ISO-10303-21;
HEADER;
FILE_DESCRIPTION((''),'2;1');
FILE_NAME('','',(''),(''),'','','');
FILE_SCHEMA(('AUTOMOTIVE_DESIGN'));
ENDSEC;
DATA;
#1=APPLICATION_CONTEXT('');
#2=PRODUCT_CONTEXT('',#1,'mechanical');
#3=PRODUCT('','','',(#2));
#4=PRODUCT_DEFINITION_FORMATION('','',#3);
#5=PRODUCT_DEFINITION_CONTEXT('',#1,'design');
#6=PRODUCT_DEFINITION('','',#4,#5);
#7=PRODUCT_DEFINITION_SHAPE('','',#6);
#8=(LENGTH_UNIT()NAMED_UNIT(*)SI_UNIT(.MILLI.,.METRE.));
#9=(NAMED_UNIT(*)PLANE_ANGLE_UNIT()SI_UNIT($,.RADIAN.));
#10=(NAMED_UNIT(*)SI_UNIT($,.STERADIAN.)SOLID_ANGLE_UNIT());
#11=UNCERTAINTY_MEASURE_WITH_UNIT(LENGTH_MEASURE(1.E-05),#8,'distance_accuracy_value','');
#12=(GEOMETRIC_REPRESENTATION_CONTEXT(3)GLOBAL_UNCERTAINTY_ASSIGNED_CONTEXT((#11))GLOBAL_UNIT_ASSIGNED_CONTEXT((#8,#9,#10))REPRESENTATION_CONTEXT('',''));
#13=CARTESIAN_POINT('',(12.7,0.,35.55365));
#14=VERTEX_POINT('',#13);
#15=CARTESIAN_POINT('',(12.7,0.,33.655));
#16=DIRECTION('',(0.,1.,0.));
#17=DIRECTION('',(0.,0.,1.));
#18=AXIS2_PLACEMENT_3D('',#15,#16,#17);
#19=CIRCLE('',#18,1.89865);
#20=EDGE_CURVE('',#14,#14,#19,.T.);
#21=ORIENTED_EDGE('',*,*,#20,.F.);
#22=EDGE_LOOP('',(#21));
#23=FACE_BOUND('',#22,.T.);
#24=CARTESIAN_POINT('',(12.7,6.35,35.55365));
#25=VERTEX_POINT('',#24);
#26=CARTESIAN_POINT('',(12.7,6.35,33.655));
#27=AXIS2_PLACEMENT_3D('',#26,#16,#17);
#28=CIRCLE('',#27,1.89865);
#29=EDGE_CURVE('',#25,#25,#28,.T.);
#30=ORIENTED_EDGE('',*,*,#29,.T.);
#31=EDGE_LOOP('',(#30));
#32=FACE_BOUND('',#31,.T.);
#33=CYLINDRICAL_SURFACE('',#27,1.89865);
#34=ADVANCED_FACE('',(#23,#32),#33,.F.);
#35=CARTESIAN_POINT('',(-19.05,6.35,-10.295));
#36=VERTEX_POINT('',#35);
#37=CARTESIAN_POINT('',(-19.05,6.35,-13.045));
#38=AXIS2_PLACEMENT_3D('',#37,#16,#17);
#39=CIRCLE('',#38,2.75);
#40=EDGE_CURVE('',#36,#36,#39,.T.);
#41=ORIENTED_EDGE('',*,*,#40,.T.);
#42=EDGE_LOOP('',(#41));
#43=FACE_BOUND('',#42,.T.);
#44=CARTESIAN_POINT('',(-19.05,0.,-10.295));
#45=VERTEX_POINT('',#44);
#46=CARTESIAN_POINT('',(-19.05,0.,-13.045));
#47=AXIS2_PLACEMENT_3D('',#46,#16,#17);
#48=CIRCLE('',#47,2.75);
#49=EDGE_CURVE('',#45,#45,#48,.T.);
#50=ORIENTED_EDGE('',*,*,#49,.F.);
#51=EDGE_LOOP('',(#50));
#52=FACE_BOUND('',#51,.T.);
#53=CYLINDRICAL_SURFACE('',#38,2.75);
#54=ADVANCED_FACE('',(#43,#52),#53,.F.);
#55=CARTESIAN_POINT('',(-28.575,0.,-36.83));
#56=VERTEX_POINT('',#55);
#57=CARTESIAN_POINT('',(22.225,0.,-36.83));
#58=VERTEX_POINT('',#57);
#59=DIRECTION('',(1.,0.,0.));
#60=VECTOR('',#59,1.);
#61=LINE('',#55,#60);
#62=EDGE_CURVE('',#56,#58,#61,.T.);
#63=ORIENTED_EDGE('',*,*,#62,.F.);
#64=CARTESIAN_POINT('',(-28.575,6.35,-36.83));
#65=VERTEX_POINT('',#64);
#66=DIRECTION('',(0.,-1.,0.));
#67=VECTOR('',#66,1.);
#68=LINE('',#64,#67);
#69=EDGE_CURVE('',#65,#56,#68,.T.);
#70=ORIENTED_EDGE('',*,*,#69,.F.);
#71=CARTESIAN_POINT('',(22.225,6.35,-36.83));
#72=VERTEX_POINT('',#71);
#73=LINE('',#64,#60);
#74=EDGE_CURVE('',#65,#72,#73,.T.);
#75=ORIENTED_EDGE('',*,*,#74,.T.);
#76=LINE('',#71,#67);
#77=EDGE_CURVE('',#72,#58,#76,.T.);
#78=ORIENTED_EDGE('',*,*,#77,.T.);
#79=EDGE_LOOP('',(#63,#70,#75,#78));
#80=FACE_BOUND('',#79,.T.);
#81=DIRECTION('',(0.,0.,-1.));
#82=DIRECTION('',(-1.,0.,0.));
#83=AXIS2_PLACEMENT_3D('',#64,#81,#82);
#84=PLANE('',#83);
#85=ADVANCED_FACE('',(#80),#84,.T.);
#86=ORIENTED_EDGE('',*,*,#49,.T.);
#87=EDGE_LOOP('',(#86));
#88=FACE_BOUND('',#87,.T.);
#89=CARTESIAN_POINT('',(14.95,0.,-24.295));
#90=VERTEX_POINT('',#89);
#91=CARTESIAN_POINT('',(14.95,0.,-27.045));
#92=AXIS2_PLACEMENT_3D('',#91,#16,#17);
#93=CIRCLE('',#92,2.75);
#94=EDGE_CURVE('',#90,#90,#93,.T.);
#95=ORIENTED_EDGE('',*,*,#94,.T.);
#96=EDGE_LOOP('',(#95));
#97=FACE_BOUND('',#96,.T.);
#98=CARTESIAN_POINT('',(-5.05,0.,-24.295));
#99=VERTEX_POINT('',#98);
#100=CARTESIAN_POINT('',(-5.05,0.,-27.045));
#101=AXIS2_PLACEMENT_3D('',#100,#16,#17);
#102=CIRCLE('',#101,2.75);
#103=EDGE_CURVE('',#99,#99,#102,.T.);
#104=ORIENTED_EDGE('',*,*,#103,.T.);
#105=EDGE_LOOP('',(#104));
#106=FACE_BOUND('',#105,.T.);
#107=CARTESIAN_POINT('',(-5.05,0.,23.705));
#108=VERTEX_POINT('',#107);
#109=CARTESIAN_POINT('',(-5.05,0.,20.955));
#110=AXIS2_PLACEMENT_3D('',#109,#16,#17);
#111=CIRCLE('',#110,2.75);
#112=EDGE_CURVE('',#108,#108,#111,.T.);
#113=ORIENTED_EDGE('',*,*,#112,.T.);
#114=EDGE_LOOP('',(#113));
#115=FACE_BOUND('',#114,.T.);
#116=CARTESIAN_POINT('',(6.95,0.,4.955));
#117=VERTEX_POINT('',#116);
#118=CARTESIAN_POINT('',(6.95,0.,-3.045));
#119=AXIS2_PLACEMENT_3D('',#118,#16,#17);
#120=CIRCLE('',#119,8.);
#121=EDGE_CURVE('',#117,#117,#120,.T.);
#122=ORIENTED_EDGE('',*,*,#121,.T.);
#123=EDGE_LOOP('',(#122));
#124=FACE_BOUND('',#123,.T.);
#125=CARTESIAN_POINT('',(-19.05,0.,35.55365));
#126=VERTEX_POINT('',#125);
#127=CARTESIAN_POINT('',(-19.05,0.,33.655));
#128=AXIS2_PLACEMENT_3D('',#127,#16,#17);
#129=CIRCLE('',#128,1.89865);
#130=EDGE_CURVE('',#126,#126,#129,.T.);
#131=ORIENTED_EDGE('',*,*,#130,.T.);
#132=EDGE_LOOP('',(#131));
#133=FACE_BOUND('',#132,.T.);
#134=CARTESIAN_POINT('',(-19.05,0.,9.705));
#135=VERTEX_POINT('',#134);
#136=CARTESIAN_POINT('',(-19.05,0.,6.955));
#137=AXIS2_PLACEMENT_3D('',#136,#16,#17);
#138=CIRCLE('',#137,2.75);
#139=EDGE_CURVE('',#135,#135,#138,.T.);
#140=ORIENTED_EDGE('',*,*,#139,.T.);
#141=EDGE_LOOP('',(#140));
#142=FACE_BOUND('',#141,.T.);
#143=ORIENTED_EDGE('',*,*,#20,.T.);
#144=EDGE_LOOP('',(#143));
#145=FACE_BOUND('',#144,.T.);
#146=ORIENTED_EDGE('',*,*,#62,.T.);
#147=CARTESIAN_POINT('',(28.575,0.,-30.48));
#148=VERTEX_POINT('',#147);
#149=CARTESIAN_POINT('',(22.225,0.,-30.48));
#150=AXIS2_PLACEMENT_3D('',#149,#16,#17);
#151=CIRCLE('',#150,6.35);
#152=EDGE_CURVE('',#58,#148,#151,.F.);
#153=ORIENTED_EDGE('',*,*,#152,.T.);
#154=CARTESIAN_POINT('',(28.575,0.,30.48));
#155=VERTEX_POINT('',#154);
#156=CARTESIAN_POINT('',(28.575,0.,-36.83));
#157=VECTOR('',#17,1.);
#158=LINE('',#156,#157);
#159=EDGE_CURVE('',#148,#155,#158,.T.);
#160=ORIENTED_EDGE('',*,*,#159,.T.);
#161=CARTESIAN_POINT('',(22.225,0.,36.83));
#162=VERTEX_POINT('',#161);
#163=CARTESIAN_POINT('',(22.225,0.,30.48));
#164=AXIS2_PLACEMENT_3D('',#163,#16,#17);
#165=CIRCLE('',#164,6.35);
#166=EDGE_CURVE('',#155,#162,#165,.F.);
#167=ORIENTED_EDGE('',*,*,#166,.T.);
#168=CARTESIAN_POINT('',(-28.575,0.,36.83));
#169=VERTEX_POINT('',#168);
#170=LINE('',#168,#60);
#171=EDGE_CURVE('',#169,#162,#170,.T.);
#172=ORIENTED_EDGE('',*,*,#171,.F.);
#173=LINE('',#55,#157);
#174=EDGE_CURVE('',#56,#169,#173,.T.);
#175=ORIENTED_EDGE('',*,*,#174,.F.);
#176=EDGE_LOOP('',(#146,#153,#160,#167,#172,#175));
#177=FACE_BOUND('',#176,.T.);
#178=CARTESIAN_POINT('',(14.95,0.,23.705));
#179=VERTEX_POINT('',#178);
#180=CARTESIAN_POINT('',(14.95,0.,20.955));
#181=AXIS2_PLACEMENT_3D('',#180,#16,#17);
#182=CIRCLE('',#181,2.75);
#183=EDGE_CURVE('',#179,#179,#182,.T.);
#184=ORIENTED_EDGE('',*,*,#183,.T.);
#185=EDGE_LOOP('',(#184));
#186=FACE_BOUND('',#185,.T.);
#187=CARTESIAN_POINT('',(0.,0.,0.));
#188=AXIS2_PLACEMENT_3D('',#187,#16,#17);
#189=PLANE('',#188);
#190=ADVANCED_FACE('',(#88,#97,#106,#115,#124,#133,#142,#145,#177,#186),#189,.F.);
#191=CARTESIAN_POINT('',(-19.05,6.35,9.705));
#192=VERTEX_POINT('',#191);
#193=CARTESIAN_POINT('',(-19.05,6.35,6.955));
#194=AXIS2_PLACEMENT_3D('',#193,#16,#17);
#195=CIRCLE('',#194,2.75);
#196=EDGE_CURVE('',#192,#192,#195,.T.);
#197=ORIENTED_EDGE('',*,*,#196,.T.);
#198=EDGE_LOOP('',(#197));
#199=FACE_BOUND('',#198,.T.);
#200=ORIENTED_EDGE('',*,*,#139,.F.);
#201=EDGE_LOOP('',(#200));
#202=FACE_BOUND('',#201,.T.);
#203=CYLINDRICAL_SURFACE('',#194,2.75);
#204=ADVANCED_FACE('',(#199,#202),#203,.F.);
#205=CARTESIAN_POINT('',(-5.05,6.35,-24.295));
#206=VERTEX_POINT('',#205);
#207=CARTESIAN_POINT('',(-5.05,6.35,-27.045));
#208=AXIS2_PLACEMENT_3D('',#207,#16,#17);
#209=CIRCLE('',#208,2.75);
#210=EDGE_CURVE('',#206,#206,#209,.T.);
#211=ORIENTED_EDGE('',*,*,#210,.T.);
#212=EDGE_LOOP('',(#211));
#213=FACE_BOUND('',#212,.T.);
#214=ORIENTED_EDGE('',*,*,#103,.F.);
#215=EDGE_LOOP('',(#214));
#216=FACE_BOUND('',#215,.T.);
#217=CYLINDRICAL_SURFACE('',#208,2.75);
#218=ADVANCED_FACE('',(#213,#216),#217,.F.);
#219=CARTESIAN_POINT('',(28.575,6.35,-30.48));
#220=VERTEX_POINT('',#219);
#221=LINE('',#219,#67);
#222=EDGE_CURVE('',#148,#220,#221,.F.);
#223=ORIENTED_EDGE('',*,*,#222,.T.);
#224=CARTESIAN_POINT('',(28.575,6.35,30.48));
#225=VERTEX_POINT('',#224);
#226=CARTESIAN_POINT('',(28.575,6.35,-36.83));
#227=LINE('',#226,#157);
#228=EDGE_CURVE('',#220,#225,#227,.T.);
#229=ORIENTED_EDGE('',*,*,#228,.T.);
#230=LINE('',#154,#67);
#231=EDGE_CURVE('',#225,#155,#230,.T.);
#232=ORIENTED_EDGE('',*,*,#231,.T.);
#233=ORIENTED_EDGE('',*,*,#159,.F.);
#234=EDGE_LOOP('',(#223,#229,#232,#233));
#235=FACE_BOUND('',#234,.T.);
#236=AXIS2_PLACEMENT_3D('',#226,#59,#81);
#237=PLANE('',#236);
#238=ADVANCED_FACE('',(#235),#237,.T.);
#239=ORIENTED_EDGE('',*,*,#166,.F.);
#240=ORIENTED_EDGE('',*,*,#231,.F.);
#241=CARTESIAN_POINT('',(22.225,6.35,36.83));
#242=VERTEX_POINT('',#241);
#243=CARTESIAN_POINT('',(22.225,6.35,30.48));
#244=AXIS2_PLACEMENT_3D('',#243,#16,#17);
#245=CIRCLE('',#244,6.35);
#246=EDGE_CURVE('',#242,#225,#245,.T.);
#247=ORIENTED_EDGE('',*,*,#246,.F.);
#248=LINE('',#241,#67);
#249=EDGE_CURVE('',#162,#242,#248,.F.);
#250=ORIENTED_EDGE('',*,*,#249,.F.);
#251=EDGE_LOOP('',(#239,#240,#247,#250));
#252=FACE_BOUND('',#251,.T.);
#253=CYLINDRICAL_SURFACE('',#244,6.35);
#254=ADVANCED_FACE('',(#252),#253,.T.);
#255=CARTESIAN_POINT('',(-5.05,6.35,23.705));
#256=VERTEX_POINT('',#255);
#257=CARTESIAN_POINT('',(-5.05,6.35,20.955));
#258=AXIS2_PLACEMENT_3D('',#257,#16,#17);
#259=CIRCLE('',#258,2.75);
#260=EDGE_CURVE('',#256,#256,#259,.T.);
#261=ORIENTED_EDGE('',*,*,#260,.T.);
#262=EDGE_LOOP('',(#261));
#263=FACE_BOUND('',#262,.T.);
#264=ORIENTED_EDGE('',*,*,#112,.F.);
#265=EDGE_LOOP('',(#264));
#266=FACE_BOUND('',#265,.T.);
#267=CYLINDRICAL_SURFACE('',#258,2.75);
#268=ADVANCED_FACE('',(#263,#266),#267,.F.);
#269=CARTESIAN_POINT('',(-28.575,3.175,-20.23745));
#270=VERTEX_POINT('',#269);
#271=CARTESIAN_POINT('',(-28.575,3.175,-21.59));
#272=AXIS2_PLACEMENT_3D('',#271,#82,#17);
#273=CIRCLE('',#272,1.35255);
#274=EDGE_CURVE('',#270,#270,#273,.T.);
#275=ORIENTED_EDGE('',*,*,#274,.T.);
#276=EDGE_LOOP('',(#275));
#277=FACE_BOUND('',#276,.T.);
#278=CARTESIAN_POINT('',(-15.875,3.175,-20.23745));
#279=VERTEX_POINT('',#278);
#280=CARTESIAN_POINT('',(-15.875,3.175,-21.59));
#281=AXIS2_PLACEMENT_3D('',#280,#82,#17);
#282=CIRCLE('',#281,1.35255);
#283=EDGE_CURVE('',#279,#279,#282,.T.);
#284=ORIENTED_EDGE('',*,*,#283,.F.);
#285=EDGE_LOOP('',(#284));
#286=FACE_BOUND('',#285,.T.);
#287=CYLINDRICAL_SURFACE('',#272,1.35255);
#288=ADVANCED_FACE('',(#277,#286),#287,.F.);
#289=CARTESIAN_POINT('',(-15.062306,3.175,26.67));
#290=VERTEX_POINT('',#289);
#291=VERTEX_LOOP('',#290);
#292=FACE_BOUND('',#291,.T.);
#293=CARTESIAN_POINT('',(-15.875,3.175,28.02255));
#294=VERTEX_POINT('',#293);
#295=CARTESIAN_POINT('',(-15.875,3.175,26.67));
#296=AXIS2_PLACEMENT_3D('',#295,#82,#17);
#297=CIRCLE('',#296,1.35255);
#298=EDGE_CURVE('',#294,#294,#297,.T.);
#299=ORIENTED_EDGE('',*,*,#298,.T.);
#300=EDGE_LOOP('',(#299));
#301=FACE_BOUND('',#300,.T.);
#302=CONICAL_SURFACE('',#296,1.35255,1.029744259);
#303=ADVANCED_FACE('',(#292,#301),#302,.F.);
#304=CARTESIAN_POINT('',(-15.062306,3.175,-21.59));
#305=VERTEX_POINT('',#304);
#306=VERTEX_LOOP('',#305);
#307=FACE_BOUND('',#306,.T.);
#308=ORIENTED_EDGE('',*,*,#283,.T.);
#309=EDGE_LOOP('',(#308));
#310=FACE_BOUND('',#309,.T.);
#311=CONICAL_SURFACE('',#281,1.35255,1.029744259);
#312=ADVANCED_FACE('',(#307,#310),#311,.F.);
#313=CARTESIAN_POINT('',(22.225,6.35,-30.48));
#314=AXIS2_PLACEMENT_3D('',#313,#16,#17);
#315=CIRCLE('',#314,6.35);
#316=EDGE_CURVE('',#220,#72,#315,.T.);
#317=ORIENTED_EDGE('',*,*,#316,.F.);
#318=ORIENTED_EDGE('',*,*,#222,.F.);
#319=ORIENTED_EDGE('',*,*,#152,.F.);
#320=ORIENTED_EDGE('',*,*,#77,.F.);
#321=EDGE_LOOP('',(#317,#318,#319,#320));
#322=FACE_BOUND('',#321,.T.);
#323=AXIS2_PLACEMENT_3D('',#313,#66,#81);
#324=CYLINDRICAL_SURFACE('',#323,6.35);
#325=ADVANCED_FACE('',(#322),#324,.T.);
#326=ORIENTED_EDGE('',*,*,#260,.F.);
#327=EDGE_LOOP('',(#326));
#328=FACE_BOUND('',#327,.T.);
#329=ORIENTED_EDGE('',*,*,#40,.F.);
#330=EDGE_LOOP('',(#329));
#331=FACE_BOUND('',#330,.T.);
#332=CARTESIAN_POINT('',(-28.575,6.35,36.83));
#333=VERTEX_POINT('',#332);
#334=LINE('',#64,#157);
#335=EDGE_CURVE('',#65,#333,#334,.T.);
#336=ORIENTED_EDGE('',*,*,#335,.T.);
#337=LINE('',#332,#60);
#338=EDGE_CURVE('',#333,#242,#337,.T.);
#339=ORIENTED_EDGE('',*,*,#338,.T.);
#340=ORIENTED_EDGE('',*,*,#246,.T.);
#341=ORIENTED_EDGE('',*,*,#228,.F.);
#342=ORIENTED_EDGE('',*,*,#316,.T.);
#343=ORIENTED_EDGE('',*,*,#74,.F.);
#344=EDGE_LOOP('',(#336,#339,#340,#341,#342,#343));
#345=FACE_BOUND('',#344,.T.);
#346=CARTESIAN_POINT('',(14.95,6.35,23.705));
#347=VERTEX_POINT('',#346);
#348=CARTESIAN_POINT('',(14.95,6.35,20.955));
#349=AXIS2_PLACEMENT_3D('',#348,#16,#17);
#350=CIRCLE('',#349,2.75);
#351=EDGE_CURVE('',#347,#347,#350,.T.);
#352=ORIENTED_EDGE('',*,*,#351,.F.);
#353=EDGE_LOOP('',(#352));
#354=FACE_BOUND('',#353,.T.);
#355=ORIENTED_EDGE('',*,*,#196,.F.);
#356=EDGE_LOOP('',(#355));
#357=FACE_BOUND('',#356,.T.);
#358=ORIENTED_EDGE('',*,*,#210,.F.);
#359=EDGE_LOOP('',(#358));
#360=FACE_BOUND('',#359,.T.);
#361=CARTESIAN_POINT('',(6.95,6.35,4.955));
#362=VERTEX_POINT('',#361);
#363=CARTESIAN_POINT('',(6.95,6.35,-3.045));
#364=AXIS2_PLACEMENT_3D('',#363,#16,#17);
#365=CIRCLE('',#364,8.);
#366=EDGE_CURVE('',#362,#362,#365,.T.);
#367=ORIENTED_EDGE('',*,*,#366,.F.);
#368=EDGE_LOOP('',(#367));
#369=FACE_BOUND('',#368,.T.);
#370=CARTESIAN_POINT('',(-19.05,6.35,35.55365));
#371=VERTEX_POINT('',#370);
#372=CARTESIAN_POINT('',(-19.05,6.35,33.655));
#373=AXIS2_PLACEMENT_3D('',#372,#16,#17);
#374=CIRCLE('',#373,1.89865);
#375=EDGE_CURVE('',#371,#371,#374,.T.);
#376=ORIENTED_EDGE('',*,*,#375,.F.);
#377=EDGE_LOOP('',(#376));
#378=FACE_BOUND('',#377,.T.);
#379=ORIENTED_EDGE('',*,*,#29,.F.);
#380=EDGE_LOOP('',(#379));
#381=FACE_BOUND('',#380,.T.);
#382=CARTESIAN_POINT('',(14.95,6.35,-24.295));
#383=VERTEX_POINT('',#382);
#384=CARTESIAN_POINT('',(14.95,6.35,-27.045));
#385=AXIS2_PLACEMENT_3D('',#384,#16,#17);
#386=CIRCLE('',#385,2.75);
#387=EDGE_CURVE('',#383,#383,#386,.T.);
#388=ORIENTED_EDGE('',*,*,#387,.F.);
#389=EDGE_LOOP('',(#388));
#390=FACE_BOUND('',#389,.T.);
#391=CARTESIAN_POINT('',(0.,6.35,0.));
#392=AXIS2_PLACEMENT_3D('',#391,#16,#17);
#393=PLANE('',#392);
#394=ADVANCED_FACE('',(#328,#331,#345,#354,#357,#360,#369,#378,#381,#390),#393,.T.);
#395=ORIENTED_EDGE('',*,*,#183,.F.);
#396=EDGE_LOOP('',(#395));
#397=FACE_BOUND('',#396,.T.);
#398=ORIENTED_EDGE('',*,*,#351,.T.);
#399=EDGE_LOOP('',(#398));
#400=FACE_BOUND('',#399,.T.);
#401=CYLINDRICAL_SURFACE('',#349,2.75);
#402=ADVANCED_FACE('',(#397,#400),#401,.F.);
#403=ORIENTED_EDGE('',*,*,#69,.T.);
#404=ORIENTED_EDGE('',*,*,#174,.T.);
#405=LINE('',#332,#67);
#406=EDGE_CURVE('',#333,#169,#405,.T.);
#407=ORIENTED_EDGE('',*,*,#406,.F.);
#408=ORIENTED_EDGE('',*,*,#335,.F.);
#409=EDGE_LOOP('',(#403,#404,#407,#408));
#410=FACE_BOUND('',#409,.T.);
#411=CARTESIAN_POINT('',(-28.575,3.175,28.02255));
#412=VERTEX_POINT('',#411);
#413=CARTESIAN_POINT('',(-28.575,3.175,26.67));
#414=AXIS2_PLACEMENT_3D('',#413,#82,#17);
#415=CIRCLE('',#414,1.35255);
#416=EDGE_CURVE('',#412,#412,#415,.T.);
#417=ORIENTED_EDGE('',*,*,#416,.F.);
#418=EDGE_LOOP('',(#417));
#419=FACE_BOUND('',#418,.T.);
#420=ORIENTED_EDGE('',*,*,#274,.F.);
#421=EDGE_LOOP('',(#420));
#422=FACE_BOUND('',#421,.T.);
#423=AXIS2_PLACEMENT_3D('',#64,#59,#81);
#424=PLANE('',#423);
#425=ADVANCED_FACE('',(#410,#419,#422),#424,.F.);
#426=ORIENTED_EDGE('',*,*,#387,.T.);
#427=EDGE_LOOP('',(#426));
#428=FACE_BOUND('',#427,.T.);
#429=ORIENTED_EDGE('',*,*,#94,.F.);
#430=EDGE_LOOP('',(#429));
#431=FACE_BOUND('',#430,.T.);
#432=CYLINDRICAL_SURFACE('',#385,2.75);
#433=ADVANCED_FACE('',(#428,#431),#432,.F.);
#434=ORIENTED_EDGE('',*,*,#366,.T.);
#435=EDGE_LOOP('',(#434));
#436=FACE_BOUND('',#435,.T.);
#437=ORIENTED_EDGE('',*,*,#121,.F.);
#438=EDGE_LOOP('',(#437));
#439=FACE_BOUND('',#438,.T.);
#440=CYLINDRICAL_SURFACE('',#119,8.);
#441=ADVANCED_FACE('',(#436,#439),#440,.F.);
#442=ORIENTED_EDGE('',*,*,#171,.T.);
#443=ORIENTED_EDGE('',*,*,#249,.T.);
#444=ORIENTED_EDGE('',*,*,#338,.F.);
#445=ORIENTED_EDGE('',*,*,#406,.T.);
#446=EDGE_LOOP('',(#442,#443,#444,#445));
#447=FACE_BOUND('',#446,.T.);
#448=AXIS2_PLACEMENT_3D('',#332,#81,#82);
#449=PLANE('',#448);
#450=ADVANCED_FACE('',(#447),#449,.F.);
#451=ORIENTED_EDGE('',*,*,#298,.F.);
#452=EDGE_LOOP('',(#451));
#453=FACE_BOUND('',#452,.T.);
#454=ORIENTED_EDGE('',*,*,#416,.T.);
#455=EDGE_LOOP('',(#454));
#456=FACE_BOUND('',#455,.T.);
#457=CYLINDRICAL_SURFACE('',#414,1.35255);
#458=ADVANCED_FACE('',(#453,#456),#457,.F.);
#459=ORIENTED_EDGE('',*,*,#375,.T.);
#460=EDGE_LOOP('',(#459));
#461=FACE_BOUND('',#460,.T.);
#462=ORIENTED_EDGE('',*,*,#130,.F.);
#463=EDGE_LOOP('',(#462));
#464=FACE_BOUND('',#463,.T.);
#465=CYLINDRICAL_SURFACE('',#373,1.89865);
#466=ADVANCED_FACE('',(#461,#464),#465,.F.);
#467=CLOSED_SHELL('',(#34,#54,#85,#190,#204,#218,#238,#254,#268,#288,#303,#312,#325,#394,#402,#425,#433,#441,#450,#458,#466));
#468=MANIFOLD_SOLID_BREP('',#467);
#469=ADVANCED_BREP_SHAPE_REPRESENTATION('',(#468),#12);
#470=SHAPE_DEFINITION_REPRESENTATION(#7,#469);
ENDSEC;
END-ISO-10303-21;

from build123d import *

# Parameters (mm, degrees)
SKETCH1_W                     = 57.15
SKETCH1_H                     = 73.66
BOSS_EXTRUDE1_DEPTH           = 6.35
F_6_CLEARANCE_HOLE1_D         = 3.7973
F_6_CLEARANCE_HOLE1_DEPTH     = 12.7
F_6_CLEARANCE_HOLE1_TIP       = 1.140824014
M5_CLEARANCE_HOLE1_D          = 5.5
M5_CLEARANCE_HOLE1_DEPTH      = 12.7
M5_CLEARANCE_HOLE1_TIP        = 1.652366702
SKETCH6_R                     = 8
CUT_EXTRUDE1_DEPTH            = 6.35
TAP_DRILL_FOR_6_32_TAP1_D     = 2.7051
TAP_DRILL_FOR_6_32_TAP1_DEPTH = 12.7
TAP_DRILL_FOR_6_32_TAP1_TIP   = 0.81269403
FILLET1_R                     = 6.35


with BuildPart() as part:
    # Sketch1 → Boss-Extrude1 (new body)
    with BuildSketch(Plane(origin=(0, 0, 0), x_dir=(1, 0, 0), z_dir=(0, 1, 0))):
        Rectangle(SKETCH1_W, SKETCH1_H)
    extrude(amount=BOSS_EXTRUDE1_DEPTH)

    # #6 Clearance Hole1
    with Locations(Plane(origin=(0, 6.35, 0), x_dir=(1, 0, 0), z_dir=(0, 1, 0))):
        with Locations((-19.05, -33.655), (12.7, -33.655)):
            Hole(F_6_CLEARANCE_HOLE1_D / 2, depth=F_6_CLEARANCE_HOLE1_DEPTH)
            with Locations((0, 0, -(F_6_CLEARANCE_HOLE1_DEPTH + F_6_CLEARANCE_HOLE1_TIP / 2))):  # 118° drill point
                Cone(0, F_6_CLEARANCE_HOLE1_D / 2, F_6_CLEARANCE_HOLE1_TIP, mode=Mode.SUBTRACT)

    # M5 Clearance Hole1
    with Locations(Plane(origin=(0, 6.35, 0), x_dir=(1, 0, 0), z_dir=(0, 1, 0))):
        with Locations((-19.05, 13.045000006), (-19.05, -6.954999994), (6.95, 3.045000006), (14.95, 27.045), (14.95, -20.955), (-5.05, 27.045), (-5.05, -20.955)):
            Hole(M5_CLEARANCE_HOLE1_D / 2, depth=M5_CLEARANCE_HOLE1_DEPTH)
            with Locations((0, 0, -(M5_CLEARANCE_HOLE1_DEPTH + M5_CLEARANCE_HOLE1_TIP / 2))):  # 118° drill point
                Cone(0, M5_CLEARANCE_HOLE1_D / 2, M5_CLEARANCE_HOLE1_TIP, mode=Mode.SUBTRACT)

    # Sketch6 → Cut-Extrude1 (cut)
    with BuildSketch(Plane(origin=(0, 6.35, 0), x_dir=(1, 0, 0), z_dir=(0, 1, 0))):
        with Locations(Location((6.95, 3.045000006, 0), (0, 0, 270))):
            Circle(SKETCH6_R)
    extrude(amount=-CUT_EXTRUDE1_DEPTH, mode=Mode.SUBTRACT)

    # Tap Drill for #6-32 Tap1
    with Locations(Plane.ZY.offset(28.575)):
        with Locations((26.67, 3.175), (-21.59, 3.175)):
            Hole(TAP_DRILL_FOR_6_32_TAP1_D / 2, depth=TAP_DRILL_FOR_6_32_TAP1_DEPTH)
            with Locations((0, 0, -(TAP_DRILL_FOR_6_32_TAP1_DEPTH + TAP_DRILL_FOR_6_32_TAP1_TIP / 2))):  # 118° drill point
                Cone(0, TAP_DRILL_FOR_6_32_TAP1_D / 2, TAP_DRILL_FOR_6_32_TAP1_TIP, mode=Mode.SUBTRACT)

    # Fillet1
    fillet1_edges = [part.edges().sort_by_distance(p)[0] for p in [
        (28.575, 3.175, -36.83),
        (28.575, 3.175, 36.83),
    ]]
    fillet(fillet1_edges, radius=FILLET1_R)


solid = part.part
